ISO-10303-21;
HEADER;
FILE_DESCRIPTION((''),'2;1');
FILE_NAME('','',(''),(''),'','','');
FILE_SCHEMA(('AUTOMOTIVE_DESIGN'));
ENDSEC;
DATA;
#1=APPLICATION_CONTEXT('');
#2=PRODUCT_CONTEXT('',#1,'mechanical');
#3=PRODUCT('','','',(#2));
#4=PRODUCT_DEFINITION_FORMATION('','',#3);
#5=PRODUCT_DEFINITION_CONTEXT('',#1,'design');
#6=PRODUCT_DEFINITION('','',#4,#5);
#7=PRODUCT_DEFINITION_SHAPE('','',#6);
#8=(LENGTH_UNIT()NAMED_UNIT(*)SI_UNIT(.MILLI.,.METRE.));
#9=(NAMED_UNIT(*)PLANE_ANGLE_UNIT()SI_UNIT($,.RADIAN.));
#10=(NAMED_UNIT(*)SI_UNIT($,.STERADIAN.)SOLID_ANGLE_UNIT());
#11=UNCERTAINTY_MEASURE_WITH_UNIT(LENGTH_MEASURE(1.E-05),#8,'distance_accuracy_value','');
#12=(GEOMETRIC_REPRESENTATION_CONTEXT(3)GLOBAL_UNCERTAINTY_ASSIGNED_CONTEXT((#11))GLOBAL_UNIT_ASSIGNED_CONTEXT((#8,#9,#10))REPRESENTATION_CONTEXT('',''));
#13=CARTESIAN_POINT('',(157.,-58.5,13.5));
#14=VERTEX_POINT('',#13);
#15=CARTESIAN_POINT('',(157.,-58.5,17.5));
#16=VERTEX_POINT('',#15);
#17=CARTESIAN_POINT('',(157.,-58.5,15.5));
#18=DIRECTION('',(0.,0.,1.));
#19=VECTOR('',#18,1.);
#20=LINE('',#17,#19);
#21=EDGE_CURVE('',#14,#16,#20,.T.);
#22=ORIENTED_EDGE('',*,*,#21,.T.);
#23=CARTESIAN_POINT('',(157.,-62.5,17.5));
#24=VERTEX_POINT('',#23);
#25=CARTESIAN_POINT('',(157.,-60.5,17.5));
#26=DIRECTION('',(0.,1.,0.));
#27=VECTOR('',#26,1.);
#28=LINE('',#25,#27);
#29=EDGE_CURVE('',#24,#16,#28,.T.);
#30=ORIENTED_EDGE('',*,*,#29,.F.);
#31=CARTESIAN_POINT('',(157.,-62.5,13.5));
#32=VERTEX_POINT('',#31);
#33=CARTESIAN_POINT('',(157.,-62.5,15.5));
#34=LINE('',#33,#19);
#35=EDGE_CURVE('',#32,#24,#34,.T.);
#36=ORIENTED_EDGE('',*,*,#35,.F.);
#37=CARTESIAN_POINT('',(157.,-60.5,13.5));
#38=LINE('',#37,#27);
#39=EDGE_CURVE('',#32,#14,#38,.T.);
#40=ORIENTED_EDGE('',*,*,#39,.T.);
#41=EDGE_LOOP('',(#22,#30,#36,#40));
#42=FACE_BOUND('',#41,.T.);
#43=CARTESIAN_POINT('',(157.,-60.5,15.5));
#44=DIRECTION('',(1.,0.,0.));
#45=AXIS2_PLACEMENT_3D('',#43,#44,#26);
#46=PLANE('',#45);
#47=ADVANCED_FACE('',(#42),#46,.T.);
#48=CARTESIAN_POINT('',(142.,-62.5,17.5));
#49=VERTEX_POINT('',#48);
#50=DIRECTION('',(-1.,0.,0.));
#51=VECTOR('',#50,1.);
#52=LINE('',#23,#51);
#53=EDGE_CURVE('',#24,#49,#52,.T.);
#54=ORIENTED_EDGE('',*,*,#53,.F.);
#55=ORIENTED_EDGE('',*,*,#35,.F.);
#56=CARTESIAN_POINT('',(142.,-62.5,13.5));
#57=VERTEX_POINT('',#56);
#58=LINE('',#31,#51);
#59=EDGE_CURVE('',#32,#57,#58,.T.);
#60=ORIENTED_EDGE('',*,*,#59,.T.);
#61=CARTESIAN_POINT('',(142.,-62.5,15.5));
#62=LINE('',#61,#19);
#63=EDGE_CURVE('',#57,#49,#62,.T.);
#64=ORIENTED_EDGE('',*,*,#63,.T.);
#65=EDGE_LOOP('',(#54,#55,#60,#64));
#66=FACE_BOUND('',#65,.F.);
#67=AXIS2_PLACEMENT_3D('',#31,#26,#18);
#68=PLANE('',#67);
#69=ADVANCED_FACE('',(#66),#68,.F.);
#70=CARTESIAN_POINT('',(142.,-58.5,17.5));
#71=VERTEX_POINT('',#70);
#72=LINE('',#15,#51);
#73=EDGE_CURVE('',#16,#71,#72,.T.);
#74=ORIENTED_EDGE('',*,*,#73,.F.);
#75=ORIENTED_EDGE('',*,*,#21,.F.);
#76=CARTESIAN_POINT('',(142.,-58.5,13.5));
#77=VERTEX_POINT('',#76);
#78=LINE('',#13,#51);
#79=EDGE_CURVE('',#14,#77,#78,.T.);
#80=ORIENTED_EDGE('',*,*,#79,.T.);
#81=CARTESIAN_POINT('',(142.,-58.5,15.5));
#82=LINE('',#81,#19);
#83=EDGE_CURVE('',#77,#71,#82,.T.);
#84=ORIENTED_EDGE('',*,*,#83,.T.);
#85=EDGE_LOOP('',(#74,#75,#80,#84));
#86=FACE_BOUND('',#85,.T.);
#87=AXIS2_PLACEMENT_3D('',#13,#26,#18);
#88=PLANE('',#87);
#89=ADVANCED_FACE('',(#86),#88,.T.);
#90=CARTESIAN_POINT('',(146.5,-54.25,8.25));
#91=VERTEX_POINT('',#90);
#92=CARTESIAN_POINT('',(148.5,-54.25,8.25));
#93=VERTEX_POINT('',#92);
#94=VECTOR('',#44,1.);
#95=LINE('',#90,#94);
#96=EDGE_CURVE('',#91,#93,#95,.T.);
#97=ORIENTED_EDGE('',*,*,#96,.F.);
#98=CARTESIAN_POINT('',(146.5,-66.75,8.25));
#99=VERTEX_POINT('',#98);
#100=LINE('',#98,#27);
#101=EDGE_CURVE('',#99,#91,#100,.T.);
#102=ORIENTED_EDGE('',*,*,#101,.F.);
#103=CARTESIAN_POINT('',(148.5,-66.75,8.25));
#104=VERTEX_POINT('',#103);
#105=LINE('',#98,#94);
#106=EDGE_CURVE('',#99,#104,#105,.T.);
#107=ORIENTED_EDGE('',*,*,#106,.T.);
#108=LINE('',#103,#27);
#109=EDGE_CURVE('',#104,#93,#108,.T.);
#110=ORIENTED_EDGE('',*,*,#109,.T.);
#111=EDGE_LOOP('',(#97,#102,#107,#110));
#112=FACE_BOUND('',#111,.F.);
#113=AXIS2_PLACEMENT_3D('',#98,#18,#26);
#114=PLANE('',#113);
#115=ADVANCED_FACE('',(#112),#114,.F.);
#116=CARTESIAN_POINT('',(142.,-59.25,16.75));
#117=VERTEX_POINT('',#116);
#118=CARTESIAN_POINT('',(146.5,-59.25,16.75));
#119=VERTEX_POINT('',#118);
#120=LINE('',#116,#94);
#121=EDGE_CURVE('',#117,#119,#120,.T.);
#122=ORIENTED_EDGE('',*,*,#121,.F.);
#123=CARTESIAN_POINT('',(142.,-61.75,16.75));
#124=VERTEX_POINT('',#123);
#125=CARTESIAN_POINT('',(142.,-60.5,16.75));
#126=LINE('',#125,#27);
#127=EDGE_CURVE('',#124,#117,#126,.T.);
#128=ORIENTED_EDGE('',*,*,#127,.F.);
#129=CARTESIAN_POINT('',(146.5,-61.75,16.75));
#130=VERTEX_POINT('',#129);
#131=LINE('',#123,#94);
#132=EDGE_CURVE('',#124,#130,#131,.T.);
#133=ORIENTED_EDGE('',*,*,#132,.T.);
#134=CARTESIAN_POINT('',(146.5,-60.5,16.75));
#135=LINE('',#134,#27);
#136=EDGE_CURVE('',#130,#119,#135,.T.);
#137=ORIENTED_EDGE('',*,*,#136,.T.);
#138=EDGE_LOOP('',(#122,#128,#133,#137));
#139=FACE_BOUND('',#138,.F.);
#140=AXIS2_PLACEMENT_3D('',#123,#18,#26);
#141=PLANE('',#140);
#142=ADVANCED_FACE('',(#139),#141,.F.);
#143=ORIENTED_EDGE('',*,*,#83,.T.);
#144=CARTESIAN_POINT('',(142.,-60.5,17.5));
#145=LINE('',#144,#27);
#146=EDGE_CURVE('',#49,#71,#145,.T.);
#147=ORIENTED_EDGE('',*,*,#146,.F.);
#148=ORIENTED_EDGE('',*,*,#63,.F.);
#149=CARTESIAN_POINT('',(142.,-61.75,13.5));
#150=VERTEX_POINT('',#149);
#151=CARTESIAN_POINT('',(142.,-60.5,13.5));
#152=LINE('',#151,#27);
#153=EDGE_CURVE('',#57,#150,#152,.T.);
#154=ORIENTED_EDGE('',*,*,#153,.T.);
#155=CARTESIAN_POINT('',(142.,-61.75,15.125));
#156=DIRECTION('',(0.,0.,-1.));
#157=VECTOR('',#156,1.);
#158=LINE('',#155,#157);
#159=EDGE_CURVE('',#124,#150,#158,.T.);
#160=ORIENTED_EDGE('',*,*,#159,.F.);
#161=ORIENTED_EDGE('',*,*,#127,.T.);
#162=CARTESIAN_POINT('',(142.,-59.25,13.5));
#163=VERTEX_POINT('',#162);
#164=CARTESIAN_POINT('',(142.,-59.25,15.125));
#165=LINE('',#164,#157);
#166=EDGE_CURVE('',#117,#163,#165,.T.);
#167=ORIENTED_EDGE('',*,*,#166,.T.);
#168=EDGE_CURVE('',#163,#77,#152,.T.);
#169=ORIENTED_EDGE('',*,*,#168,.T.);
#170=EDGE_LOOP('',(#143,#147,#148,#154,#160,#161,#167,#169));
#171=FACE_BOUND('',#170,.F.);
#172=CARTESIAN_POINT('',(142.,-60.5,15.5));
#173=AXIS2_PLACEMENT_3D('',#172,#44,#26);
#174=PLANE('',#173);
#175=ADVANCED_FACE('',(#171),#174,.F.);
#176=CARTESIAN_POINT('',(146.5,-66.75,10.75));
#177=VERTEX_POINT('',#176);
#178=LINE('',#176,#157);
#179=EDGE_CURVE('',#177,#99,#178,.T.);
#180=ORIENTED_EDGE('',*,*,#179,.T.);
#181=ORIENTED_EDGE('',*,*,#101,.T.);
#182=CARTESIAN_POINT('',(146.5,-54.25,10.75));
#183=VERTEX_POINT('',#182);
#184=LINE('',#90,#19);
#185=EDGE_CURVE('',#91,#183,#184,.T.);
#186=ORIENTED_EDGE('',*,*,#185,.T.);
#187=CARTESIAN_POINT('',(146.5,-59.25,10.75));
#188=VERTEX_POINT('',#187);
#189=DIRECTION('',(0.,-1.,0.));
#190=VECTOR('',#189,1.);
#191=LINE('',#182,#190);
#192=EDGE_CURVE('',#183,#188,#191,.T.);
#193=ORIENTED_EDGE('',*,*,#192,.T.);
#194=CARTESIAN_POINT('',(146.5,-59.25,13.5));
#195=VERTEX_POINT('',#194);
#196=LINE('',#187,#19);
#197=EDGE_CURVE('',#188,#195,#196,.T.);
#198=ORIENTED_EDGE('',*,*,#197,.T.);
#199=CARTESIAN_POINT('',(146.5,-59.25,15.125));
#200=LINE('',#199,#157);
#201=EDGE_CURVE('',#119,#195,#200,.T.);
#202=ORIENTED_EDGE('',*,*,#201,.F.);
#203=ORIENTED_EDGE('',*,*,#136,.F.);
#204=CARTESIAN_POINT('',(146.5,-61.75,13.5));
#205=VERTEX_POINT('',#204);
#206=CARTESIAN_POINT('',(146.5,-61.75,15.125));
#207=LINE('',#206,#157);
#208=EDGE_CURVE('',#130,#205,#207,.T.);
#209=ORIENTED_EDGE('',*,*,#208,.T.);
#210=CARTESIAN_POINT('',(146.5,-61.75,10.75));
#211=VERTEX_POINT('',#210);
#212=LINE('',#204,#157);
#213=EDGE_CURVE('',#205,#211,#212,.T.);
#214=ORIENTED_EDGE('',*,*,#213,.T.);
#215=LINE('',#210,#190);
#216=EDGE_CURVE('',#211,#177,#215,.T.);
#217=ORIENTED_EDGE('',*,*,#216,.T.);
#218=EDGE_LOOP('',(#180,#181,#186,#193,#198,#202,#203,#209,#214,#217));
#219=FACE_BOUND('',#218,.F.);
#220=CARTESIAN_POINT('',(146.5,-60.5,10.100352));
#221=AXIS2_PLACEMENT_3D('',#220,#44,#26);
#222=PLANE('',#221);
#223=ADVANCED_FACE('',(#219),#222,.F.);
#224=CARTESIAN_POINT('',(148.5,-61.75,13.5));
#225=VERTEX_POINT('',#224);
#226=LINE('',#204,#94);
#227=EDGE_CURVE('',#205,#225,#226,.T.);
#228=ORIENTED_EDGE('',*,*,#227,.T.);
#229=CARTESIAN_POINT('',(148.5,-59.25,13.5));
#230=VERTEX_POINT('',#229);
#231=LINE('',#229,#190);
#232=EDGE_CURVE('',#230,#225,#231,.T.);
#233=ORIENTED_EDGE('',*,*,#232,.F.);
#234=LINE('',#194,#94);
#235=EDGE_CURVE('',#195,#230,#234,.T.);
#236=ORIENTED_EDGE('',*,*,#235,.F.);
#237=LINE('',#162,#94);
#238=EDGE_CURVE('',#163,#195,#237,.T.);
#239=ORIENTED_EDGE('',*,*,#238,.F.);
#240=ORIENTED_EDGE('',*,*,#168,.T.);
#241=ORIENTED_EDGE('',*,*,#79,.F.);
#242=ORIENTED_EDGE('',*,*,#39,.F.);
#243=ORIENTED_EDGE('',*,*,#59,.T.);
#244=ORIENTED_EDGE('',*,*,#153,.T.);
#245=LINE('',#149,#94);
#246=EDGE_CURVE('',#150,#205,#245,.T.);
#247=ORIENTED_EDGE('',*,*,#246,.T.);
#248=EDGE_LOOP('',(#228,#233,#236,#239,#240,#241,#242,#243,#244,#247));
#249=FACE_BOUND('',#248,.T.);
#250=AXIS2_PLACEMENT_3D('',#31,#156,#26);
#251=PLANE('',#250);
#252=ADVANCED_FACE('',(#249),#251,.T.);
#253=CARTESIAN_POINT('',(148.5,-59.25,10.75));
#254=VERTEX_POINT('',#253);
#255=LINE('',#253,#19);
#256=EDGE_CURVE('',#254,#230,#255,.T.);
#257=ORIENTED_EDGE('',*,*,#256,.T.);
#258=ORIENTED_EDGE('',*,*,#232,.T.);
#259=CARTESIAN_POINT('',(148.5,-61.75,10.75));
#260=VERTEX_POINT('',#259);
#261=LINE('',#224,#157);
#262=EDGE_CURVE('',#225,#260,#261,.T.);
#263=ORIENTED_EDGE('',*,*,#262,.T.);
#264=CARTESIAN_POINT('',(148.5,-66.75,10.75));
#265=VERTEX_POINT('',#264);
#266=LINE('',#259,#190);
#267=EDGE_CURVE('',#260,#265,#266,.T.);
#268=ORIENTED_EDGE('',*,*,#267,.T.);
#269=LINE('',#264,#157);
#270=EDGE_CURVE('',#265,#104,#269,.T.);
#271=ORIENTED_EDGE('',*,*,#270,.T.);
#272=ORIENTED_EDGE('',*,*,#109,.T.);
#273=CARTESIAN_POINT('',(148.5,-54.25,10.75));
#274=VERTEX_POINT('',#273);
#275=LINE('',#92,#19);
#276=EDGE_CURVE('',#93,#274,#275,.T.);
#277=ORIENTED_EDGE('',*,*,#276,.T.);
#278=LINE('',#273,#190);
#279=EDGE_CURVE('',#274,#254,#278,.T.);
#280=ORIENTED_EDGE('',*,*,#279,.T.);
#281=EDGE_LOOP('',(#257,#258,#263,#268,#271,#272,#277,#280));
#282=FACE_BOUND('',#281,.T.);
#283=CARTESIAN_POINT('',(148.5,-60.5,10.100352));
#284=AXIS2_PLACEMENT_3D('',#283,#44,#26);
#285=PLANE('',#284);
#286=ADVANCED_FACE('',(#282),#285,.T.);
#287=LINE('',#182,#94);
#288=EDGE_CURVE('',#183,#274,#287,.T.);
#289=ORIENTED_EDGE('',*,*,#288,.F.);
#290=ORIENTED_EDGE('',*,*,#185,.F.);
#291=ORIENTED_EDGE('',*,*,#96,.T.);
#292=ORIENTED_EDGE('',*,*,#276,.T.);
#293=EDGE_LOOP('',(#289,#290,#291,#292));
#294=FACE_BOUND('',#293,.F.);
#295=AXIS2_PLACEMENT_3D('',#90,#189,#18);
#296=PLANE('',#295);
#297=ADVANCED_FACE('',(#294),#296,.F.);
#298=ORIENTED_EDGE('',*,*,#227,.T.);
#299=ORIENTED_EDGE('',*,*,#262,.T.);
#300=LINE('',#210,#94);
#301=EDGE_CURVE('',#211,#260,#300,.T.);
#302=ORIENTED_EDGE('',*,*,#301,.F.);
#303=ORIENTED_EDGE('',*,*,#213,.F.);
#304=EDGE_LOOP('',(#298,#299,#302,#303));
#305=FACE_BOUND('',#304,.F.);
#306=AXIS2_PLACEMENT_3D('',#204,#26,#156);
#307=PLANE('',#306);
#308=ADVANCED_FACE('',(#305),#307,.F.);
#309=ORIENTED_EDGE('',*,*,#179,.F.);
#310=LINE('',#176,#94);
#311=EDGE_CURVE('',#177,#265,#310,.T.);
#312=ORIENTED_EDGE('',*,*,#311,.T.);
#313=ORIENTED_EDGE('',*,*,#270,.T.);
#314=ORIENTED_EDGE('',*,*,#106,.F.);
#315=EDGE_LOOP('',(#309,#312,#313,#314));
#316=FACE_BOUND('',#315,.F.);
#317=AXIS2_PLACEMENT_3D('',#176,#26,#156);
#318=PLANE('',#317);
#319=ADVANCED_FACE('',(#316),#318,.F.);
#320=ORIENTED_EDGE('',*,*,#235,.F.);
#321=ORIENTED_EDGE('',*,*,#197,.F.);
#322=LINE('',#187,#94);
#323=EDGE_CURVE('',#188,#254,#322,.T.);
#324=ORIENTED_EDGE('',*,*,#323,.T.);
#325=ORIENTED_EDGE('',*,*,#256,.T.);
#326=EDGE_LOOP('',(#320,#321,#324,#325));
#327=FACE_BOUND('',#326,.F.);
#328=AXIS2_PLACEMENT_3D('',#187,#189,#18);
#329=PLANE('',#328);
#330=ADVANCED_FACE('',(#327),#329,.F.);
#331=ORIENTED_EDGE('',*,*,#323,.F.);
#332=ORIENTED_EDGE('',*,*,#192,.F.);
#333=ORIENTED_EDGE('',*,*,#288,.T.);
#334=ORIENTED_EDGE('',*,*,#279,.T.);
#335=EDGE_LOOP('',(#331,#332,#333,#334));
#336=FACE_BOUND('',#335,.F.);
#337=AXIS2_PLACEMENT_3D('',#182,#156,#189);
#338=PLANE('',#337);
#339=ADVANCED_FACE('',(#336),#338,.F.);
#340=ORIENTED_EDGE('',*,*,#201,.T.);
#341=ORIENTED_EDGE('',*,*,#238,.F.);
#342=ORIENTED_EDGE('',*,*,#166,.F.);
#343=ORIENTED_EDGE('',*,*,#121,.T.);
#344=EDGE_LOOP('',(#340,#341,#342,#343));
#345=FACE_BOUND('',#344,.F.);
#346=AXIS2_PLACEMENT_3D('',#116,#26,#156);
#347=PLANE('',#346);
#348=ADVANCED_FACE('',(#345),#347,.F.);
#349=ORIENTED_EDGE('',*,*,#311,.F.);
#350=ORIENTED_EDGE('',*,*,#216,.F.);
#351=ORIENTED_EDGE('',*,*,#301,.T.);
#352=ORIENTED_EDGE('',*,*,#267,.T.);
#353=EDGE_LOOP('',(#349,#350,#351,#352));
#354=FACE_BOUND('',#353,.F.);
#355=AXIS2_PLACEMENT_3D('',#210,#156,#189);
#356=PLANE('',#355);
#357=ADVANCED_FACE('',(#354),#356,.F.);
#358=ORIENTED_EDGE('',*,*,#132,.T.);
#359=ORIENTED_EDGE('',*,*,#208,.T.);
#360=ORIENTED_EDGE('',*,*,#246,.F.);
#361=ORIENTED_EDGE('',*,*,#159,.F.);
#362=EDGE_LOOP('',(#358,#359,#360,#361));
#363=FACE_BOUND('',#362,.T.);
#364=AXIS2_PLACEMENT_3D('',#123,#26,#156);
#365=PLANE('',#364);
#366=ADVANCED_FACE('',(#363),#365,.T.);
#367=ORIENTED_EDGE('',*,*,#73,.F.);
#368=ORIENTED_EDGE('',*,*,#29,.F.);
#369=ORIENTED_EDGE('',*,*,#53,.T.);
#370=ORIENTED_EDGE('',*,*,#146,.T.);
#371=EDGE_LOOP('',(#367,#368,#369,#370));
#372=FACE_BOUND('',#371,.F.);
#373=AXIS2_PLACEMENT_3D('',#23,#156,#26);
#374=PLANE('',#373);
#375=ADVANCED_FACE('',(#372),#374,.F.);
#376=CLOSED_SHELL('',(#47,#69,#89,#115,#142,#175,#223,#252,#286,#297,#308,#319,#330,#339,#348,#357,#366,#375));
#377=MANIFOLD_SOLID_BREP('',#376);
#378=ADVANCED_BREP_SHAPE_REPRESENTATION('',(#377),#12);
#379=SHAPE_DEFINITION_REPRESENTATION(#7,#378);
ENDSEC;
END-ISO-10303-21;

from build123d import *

# Parameters (mm, degrees)
SKETCH056_W     = 4
SKETCH056_H     = 4
PAD031_DEPTH    = 15
SKETCH057_W     = 2.5
SKETCH057_H     = 3.25
POCKET027_DEPTH = 4.5
PAD035_DEPTH    = 2


with BuildPart() as part:
    # Sketch056 → Pad031 (new body)
    with BuildSketch(Plane.YZ.offset(157)):
        with Locations((-60.5, 15.5)):
            Rectangle(SKETCH056_W, SKETCH056_H)
    extrude(amount=-PAD031_DEPTH)

    # Sketch057 (on Face6 of Pad031) → Pocket027 (cut)
    with BuildSketch(Plane(origin=(142, 0, 0), x_dir=(0, 1, 0), z_dir=(-1, 0, 0))):
        with Locations((-60.5, -15.125)):
            Rectangle(SKETCH057_W, SKETCH057_H)
    extrude(amount=-POCKET027_DEPTH, mode=Mode.SUBTRACT)

    # Sketch062 (on Face22 of Chamfer001) → Pad035 (join)
    with BuildSketch(Plane(origin=(146.5, 0, 0), x_dir=(0, -1, 0), z_dir=(-1, 0, 0))):
        Polygon((61.75, 13.5), (61.75, 10.75), (66.75, 10.75), (66.75, 8.25), (54.25, 8.25), (54.25, 10.75), (59.25, 10.75), (59.25, 13.5), align=None)
    extrude(amount=-PAD035_DEPTH)


solid = part.part
